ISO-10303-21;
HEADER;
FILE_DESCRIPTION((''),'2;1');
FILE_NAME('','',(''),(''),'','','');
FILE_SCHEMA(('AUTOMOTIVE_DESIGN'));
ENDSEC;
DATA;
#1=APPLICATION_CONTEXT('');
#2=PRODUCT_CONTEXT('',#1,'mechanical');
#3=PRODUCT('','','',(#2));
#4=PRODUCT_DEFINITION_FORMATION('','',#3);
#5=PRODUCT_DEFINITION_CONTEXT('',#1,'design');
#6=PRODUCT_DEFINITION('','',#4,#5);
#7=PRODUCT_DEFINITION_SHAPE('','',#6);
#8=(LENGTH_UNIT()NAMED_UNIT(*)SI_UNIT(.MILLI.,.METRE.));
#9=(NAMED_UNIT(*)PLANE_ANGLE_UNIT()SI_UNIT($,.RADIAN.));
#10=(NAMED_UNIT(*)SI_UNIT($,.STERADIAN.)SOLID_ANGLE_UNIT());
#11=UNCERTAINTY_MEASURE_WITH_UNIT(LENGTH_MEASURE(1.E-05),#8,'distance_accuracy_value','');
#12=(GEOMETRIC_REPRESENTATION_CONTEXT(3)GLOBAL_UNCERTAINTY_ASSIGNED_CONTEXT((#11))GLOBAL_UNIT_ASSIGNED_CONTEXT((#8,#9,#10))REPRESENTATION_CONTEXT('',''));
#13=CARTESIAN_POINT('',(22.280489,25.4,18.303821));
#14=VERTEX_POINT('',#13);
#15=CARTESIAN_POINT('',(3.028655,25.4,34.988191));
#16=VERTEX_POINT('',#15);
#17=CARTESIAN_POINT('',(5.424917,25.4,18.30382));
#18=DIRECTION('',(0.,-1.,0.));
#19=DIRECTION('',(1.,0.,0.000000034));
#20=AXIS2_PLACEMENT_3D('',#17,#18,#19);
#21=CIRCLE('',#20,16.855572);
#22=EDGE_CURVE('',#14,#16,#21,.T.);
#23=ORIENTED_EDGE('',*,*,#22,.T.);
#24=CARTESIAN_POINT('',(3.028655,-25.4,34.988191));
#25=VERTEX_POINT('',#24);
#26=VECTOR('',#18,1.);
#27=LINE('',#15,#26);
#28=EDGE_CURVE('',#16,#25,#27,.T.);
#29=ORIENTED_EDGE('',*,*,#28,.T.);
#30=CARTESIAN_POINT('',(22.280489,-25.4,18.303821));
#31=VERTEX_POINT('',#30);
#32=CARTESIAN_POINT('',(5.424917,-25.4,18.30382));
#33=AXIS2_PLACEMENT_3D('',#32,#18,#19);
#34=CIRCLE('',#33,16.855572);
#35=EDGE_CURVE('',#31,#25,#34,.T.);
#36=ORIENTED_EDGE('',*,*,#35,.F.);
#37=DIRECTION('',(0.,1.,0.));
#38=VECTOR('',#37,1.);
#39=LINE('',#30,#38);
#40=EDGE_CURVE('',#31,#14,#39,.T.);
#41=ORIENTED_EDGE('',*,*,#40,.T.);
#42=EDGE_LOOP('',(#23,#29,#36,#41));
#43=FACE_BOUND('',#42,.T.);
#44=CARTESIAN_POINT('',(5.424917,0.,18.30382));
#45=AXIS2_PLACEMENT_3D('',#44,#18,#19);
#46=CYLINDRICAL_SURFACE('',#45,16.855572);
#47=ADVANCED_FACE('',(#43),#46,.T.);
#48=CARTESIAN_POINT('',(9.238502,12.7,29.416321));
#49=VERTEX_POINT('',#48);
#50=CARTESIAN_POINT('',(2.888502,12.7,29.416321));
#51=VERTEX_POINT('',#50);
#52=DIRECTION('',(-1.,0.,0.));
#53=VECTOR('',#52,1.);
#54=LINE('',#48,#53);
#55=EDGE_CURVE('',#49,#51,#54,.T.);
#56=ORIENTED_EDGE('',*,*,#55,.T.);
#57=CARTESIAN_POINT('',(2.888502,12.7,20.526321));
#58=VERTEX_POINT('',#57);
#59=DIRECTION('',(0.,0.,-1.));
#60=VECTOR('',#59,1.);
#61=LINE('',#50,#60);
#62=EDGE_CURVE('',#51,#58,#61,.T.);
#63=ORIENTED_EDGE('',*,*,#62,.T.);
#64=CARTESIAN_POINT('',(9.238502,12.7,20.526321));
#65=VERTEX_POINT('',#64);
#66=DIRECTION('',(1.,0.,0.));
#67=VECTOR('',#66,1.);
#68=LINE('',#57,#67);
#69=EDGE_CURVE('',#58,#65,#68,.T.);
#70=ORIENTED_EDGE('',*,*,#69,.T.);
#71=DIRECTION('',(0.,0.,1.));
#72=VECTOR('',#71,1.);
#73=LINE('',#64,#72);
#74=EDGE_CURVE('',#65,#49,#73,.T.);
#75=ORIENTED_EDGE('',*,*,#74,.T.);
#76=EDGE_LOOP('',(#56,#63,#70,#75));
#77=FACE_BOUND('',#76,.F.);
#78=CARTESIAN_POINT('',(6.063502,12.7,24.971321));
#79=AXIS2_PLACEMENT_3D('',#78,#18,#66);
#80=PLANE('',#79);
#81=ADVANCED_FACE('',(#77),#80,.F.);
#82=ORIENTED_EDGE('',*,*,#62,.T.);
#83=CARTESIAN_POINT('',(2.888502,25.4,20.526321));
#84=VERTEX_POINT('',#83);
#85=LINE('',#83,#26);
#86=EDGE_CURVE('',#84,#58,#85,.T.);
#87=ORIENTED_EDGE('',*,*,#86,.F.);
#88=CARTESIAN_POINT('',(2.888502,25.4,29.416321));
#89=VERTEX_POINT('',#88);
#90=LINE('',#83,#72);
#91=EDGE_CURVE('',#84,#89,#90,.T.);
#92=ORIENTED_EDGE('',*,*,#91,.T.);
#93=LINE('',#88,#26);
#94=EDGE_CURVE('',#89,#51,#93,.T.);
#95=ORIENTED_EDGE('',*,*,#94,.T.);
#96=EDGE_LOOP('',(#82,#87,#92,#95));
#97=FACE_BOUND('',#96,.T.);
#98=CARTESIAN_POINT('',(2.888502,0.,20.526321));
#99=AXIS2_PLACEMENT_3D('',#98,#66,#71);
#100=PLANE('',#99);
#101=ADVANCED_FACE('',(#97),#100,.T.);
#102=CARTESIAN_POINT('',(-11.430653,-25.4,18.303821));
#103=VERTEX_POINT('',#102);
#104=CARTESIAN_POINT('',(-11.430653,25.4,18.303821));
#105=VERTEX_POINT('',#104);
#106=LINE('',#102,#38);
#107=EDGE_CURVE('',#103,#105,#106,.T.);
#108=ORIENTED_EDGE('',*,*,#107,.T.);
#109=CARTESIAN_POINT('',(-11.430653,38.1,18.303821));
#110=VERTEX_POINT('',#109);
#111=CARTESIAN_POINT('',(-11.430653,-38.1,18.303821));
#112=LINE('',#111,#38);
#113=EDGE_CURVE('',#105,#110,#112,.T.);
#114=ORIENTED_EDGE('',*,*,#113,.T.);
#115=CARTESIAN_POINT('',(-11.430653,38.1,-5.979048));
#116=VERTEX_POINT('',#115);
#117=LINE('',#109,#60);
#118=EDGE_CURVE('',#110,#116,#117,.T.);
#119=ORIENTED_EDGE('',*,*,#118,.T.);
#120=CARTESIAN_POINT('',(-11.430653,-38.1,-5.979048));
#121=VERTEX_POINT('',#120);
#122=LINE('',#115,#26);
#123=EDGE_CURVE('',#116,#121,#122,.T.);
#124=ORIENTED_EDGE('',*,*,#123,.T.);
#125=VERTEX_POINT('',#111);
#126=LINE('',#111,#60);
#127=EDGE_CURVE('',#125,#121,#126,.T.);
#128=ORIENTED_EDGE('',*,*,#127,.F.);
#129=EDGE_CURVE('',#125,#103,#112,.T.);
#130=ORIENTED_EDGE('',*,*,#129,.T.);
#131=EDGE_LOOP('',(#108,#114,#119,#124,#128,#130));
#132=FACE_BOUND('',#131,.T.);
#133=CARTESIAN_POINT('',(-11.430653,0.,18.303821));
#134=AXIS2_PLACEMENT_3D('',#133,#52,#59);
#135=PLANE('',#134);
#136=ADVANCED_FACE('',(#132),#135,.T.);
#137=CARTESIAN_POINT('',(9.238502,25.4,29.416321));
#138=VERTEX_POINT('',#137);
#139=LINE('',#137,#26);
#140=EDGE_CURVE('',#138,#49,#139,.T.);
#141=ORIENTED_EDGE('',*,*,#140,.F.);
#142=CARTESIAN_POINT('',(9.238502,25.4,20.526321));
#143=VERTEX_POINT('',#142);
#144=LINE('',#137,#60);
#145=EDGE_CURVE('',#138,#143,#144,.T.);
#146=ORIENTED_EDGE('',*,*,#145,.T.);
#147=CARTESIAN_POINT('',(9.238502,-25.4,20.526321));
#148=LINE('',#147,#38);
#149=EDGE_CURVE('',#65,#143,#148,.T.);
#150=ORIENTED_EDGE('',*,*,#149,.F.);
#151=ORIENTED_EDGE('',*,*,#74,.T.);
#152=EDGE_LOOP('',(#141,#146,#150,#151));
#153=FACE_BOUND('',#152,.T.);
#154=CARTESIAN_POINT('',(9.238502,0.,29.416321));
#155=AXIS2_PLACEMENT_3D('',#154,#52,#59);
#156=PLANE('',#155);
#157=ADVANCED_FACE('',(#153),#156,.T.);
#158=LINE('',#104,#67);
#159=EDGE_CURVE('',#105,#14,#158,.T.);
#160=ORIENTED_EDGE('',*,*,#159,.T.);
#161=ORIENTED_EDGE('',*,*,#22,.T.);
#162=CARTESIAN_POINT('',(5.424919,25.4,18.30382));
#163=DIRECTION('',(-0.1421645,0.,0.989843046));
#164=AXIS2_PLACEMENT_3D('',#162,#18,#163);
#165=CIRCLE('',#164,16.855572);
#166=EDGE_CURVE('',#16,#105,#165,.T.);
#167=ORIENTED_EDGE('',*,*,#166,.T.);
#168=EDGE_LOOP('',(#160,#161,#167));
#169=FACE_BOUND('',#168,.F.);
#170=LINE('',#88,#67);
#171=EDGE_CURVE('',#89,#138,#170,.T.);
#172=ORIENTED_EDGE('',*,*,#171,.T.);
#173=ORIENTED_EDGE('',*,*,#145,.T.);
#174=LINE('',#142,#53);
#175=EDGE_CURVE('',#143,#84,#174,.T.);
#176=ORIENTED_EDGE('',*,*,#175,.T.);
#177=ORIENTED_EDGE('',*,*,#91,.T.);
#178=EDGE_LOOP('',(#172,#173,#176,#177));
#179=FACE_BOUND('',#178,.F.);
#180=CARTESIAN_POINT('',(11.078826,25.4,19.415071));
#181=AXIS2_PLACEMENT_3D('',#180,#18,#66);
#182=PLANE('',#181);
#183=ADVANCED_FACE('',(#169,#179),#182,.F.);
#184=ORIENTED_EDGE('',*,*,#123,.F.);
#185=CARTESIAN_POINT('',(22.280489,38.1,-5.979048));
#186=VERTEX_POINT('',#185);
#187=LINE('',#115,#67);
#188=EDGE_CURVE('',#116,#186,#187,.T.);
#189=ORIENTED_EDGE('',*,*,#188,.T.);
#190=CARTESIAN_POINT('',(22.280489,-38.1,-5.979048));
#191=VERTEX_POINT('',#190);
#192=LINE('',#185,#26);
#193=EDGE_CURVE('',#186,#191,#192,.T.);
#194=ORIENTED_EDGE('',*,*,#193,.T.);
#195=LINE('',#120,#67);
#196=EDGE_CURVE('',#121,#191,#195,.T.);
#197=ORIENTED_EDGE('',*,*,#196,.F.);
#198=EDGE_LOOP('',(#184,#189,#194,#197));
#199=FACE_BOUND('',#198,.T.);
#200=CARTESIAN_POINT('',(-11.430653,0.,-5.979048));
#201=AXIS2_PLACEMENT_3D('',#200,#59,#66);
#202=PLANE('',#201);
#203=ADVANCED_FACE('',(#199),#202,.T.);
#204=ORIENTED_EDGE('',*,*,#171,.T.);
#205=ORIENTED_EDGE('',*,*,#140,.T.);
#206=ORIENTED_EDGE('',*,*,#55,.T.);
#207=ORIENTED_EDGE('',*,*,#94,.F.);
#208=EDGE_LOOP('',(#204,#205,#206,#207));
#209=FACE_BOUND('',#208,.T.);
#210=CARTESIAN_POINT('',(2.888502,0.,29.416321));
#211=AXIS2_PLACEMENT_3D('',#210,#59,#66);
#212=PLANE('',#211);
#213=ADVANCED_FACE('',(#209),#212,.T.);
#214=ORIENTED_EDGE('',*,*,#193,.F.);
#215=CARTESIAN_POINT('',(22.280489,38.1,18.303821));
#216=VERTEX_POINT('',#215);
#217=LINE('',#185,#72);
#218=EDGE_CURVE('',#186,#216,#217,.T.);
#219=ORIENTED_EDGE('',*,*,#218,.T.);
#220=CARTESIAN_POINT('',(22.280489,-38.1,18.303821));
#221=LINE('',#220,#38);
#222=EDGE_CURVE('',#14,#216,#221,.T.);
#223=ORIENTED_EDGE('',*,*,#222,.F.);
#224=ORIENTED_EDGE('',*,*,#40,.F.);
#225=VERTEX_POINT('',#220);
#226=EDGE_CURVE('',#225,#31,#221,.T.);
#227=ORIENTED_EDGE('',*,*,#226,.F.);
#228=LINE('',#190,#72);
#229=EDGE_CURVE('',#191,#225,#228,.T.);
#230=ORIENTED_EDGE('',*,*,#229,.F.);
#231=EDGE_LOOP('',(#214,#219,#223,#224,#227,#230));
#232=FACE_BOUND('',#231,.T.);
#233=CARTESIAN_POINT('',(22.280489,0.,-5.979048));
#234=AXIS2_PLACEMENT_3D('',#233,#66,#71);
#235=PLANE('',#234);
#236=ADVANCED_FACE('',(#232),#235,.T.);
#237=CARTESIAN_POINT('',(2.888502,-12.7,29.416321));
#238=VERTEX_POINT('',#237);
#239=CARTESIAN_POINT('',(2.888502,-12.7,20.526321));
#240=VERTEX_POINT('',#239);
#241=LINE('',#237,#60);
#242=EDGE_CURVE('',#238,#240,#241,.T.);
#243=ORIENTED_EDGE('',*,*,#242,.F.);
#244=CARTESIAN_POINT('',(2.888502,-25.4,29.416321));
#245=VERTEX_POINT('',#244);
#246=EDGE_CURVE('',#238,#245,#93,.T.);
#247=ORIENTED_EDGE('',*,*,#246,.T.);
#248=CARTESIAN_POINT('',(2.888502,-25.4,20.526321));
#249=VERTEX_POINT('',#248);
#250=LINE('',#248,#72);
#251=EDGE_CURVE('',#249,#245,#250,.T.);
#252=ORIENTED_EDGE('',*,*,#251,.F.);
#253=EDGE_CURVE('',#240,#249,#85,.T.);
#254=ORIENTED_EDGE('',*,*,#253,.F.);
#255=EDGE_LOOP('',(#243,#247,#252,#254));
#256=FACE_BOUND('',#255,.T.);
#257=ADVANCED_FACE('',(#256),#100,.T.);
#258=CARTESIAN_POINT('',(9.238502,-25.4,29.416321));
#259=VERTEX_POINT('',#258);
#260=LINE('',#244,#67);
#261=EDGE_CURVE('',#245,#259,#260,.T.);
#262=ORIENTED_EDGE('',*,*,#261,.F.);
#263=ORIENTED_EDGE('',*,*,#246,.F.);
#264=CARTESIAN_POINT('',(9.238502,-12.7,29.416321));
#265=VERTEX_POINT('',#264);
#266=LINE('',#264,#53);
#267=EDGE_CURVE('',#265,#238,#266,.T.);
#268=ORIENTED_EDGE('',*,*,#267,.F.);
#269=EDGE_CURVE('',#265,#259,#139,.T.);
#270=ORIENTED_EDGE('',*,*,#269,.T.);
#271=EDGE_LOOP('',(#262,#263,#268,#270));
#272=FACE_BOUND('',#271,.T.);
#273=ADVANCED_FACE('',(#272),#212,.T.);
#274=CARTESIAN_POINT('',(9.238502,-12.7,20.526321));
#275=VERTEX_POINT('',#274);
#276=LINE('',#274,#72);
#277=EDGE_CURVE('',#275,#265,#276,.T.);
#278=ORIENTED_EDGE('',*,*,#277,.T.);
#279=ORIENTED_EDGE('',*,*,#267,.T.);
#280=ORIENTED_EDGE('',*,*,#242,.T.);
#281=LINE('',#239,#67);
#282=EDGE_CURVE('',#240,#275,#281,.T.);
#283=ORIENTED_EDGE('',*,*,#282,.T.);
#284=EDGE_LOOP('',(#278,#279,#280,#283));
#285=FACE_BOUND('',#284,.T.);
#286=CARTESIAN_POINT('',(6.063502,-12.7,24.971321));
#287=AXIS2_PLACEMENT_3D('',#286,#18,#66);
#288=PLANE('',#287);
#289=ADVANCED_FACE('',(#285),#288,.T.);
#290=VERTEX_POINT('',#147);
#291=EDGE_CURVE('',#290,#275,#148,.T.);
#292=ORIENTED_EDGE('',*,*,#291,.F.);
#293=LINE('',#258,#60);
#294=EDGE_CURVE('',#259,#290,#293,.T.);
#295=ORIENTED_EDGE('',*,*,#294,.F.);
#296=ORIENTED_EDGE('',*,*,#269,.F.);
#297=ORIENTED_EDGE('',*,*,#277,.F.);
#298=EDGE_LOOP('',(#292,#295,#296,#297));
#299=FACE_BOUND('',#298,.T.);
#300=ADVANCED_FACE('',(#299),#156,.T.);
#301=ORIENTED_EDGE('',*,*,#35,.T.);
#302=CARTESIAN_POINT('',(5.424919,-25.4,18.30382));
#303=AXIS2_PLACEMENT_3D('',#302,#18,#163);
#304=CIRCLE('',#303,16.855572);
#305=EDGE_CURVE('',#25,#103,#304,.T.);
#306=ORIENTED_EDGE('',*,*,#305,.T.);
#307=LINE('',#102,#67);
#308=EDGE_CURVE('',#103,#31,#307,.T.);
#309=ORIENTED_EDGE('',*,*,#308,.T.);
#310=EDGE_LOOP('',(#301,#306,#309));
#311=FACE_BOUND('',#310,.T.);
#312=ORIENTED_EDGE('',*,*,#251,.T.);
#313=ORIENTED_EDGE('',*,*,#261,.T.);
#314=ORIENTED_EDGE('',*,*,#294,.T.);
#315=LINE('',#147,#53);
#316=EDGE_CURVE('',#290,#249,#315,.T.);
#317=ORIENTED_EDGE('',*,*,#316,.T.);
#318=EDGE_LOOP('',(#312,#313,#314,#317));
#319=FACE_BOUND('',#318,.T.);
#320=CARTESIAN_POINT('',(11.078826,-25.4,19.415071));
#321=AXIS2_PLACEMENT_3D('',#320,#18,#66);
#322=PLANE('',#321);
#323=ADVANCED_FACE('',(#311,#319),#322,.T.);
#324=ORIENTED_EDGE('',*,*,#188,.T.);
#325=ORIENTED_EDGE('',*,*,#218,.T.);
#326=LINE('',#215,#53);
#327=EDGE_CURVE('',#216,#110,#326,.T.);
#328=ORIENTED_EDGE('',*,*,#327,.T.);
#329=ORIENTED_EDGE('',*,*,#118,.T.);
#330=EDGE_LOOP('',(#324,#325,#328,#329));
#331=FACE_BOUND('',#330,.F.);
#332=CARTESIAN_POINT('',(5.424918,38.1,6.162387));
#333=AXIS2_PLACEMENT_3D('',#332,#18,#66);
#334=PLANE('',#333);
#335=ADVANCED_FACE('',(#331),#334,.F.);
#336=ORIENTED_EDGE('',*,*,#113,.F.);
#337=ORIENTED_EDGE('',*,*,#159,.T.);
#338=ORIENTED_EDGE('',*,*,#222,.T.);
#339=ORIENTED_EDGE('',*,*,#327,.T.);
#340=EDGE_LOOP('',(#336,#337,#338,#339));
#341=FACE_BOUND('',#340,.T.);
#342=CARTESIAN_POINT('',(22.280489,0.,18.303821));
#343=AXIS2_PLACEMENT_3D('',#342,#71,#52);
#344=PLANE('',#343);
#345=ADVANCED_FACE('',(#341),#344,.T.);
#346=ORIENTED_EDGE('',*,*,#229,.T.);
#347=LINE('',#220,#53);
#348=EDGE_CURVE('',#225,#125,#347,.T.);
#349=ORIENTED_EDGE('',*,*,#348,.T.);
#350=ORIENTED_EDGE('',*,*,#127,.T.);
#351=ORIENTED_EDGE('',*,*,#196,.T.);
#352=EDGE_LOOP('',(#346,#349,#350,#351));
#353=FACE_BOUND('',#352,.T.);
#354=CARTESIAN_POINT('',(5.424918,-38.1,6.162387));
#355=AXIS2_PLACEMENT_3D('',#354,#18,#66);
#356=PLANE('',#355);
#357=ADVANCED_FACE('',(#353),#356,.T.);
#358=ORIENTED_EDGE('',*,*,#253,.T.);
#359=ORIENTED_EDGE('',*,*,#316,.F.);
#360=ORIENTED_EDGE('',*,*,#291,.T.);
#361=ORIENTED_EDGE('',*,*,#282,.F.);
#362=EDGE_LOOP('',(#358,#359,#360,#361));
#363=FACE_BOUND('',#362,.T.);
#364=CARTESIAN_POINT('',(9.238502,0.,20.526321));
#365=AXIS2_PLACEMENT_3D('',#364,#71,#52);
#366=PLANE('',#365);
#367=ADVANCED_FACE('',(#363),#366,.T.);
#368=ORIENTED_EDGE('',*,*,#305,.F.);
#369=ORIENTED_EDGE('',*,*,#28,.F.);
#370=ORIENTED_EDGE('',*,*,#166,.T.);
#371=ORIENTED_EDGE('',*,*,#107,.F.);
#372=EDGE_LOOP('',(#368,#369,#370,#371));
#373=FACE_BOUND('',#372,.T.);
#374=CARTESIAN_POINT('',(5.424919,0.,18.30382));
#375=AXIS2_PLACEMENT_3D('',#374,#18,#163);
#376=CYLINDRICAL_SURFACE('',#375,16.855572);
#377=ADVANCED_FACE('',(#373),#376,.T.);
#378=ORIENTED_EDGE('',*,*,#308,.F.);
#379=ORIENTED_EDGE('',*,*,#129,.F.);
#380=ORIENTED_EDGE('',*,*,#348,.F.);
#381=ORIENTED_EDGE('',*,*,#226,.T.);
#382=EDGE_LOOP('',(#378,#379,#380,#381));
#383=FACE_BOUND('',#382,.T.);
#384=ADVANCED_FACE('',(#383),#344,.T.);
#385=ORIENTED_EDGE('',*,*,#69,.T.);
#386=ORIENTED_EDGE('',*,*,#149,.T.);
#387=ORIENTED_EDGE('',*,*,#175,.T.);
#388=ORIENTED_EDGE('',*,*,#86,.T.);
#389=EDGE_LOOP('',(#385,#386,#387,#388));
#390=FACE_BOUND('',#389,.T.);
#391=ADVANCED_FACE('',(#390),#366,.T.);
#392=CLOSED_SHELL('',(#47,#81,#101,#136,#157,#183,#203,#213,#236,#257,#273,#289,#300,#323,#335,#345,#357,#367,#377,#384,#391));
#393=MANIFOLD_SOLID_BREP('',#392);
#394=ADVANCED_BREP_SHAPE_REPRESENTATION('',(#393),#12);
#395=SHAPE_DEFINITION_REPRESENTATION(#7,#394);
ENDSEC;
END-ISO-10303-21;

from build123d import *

# Parameters (mm, degrees)
F1_DEPTH = 38.1
F2_DEPTH = 25.4
F3_DEPTH = 12.7


with BuildPart() as f1:
    # F0 (on Front) → F1 (new body, symmetric)
    with BuildSketch(Plane.XZ):
        Polygon((7.498131, 18.303821), (-11.430653, 18.303821), (-11.430653, -5.979048), (22.280489, -5.979048), (22.280489, 18.303821), (14.65952, 18.303821), align=None)
    extrude(amount=F1_DEPTH, both=True)

    # F0 (on Front) → F2 (join, symmetric)
    with BuildSketch(Plane.XZ):
        Polygon((7.498131, 20.526321), (7.498131, 18.303821), (14.65952, 18.303821), (14.65952, 20.526321), (9.238502, 20.526321), align=None)
        with BuildLine():
            ThreePointArc((3.028655, 34.988191), (-7.312834, 29.34284), (-11.430653, 18.303821))
            Line((-11.430653, 18.303821), (7.498131, 18.303821))
            Line((7.498131, 18.303821), (7.498131, 20.526321))
            Line((7.498131, 20.526321), (2.888502, 20.526321))
            Line((2.888502, 20.526321), (2.888502, 29.416321))
            Line((2.888502, 29.416321), (9.238502, 29.416321))
            Line((9.238502, 29.416321), (9.238502, 20.526321))
            Line((9.238502, 20.526321), (14.65952, 20.526321))
            Line((14.65952, 20.526321), (14.65952, 18.303821))
            Line((14.65952, 18.303821), (22.280489, 18.303821))
            ThreePointArc((22.280489, 18.303821), (16.463937, 31.041573), (3.028655, 34.988191))
        make_face()
    extrude(amount=F2_DEPTH, both=True)

    # F0 (on Front) → F3 (join, symmetric)
    with BuildSketch(Plane.XZ):
        Polygon((2.888502, 20.526321), (7.498131, 20.526321), (9.238502, 20.526321), (9.238502, 29.416321), (2.888502, 29.416321), align=None)
    extrude(amount=F3_DEPTH, both=True)


solid = f1.part
